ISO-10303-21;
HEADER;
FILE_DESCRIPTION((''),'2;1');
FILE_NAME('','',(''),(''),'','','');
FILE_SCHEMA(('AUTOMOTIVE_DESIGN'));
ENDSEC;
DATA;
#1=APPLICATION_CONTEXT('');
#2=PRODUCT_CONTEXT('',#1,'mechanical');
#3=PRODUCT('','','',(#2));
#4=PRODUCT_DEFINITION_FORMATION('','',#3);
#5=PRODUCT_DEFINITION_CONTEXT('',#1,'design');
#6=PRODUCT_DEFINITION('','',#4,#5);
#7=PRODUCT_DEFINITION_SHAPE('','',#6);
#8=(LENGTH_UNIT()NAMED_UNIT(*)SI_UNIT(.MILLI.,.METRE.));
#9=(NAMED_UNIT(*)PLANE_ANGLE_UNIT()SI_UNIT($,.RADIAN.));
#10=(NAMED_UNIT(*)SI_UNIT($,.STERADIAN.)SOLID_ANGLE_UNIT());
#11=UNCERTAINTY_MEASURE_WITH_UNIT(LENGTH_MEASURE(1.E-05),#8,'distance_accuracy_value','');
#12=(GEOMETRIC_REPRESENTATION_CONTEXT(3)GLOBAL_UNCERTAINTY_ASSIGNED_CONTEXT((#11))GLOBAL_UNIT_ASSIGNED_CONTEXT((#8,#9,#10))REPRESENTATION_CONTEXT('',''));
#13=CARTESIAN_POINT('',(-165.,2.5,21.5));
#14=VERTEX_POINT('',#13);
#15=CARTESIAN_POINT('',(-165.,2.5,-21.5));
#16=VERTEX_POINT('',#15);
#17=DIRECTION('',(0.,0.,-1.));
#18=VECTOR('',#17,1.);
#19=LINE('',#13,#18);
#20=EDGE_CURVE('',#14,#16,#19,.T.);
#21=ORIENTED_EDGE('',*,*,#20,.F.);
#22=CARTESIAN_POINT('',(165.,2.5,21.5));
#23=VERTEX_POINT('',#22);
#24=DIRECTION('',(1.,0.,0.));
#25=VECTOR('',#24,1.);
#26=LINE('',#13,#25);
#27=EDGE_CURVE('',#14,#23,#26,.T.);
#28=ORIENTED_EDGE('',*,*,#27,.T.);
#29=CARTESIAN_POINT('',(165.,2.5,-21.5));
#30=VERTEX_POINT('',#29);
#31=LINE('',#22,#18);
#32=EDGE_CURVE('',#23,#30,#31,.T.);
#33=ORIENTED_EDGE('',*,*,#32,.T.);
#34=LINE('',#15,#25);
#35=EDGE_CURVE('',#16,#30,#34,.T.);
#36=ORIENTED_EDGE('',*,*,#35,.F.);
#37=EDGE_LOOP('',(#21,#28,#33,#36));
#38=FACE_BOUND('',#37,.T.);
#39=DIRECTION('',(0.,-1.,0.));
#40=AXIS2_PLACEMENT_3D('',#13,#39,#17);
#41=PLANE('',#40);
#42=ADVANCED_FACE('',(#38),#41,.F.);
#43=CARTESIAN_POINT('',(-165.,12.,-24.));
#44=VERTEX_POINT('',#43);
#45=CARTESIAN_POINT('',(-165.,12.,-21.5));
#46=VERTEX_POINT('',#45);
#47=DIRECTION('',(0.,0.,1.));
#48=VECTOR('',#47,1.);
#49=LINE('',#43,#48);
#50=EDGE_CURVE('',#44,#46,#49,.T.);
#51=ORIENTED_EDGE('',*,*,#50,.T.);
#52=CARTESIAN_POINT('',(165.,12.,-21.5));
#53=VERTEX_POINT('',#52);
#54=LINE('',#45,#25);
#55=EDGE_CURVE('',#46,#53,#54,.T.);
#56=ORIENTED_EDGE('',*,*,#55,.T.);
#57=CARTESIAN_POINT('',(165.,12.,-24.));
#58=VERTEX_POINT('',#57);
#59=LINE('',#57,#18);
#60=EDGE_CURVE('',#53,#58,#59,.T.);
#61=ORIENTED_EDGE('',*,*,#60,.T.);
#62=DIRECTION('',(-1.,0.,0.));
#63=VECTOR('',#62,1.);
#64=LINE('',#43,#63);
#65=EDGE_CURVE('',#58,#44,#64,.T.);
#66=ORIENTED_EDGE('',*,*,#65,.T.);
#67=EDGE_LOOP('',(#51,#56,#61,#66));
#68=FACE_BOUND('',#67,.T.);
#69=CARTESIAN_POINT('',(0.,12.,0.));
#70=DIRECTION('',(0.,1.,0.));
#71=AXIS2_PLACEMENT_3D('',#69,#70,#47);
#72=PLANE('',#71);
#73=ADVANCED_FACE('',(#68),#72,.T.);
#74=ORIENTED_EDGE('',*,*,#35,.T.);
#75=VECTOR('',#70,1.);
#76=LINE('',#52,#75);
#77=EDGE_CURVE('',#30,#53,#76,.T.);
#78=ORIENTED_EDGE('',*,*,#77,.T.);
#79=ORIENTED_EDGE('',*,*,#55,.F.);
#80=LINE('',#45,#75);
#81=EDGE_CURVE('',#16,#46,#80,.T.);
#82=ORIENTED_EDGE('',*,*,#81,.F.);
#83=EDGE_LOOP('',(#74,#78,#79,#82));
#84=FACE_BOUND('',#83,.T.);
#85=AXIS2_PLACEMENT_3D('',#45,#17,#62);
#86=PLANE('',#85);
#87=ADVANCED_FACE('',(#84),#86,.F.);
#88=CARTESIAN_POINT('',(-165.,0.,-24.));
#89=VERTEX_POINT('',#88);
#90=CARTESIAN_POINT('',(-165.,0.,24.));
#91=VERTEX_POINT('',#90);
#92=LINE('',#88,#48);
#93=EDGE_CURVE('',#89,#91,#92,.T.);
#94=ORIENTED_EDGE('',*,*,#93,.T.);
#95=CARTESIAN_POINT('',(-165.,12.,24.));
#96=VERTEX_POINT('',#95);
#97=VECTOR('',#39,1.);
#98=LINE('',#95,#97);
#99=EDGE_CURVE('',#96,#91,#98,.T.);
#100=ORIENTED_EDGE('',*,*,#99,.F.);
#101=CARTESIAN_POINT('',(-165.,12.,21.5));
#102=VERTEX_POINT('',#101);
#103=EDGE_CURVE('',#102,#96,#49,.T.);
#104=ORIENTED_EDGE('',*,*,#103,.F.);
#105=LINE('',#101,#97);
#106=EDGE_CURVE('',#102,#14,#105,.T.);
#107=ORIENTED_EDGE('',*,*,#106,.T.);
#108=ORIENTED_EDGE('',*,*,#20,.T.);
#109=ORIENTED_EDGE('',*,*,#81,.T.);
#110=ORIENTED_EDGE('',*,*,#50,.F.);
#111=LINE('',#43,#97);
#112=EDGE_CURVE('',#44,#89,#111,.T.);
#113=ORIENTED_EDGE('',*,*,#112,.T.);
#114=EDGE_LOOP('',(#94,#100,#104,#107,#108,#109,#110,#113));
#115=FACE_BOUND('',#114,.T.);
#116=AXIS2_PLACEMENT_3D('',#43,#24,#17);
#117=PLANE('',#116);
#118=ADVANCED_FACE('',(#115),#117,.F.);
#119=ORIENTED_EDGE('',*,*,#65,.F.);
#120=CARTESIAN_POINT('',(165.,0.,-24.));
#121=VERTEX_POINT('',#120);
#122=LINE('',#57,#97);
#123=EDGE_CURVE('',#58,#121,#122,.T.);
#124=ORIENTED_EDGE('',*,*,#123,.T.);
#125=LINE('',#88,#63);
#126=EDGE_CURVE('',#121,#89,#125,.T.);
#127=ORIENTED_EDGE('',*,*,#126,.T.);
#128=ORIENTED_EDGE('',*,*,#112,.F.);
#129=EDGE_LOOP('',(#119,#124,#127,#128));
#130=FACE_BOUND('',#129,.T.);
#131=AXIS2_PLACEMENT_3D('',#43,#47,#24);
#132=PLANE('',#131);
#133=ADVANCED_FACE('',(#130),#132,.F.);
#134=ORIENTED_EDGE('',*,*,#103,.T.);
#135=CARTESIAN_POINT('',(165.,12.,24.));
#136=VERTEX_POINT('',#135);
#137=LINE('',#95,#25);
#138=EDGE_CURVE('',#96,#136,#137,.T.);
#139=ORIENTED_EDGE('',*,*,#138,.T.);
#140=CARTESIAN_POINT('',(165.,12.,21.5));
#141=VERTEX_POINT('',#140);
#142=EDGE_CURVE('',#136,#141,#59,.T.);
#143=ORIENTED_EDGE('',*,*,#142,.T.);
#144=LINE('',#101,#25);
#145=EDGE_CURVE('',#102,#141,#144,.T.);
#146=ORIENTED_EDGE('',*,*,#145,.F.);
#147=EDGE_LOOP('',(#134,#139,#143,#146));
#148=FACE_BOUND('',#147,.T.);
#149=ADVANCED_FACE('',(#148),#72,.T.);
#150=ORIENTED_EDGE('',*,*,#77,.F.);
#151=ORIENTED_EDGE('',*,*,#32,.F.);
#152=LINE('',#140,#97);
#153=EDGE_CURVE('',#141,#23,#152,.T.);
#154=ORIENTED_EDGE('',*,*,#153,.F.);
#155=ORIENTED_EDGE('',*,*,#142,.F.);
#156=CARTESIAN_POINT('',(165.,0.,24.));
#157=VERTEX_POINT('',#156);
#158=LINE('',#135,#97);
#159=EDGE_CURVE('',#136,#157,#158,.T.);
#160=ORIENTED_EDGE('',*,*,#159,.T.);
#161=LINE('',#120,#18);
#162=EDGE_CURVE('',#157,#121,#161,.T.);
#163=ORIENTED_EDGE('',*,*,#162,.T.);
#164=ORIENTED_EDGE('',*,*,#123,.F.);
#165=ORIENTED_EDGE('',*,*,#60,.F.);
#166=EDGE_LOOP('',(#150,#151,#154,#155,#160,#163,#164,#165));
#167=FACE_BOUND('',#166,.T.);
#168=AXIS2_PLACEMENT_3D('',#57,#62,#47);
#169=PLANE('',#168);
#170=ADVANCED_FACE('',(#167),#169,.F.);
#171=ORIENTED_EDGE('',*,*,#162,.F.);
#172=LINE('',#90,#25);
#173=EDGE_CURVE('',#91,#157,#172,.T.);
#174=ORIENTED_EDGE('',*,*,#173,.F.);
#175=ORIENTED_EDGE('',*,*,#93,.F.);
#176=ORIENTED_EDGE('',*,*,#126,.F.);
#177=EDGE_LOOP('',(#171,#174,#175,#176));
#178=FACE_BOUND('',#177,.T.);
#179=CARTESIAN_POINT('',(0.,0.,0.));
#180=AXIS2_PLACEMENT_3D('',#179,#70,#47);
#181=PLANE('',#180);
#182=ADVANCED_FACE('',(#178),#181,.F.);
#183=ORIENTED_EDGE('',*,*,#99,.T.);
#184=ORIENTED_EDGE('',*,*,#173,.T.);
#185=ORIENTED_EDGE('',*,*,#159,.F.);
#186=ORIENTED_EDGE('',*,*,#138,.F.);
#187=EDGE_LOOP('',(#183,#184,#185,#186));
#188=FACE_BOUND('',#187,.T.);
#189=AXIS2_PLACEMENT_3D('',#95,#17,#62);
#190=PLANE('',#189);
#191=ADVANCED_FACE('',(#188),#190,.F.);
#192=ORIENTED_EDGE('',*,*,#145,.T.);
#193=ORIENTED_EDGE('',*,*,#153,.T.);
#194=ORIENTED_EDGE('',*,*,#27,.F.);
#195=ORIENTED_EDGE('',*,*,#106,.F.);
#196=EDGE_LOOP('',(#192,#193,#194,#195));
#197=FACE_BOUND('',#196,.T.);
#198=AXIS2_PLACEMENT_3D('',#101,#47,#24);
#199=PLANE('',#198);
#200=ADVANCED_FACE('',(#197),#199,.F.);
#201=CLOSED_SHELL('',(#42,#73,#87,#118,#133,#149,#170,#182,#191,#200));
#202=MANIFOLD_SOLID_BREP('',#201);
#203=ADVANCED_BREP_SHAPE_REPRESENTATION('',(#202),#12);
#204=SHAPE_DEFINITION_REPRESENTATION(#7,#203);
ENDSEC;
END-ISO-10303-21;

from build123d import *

# Parameters (mm, degrees)
SKETCH1_W               = 330
SKETCH1_H               = 48
BOSS_EXTRUDE1_DEPTH     = 12
SKETCH2_W               = 43
SKETCH2_H               = 9.5
CUT_EXTRUDE1_DEPTH      = 166
CUT_EXTRUDE1_DEPTH_BACK = 166


with BuildPart() as part:
    # Sketch1 → Boss-Extrude1 (new body)
    with BuildSketch(Plane(origin=(0, 0, 0), x_dir=(1, 0, 0), z_dir=(0, 1, 0))):
        Rectangle(SKETCH1_W, SKETCH1_H)
    extrude(amount=BOSS_EXTRUDE1_DEPTH)

    # Sketch2 → Cut-Extrude1 (cut, two sides)
    with BuildSketch(Plane(origin=(0, 0, 0), x_dir=(0, 0, -1), z_dir=(1, 0, 0))) as cut_extrude1_sk:
        with Locations((0, 7.25)):
            Rectangle(SKETCH2_W, SKETCH2_H)
    extrude(amount=CUT_EXTRUDE1_DEPTH, mode=Mode.SUBTRACT)
    extrude(cut_extrude1_sk.sketch, amount=-CUT_EXTRUDE1_DEPTH_BACK, mode=Mode.SUBTRACT)


solid = part.part
